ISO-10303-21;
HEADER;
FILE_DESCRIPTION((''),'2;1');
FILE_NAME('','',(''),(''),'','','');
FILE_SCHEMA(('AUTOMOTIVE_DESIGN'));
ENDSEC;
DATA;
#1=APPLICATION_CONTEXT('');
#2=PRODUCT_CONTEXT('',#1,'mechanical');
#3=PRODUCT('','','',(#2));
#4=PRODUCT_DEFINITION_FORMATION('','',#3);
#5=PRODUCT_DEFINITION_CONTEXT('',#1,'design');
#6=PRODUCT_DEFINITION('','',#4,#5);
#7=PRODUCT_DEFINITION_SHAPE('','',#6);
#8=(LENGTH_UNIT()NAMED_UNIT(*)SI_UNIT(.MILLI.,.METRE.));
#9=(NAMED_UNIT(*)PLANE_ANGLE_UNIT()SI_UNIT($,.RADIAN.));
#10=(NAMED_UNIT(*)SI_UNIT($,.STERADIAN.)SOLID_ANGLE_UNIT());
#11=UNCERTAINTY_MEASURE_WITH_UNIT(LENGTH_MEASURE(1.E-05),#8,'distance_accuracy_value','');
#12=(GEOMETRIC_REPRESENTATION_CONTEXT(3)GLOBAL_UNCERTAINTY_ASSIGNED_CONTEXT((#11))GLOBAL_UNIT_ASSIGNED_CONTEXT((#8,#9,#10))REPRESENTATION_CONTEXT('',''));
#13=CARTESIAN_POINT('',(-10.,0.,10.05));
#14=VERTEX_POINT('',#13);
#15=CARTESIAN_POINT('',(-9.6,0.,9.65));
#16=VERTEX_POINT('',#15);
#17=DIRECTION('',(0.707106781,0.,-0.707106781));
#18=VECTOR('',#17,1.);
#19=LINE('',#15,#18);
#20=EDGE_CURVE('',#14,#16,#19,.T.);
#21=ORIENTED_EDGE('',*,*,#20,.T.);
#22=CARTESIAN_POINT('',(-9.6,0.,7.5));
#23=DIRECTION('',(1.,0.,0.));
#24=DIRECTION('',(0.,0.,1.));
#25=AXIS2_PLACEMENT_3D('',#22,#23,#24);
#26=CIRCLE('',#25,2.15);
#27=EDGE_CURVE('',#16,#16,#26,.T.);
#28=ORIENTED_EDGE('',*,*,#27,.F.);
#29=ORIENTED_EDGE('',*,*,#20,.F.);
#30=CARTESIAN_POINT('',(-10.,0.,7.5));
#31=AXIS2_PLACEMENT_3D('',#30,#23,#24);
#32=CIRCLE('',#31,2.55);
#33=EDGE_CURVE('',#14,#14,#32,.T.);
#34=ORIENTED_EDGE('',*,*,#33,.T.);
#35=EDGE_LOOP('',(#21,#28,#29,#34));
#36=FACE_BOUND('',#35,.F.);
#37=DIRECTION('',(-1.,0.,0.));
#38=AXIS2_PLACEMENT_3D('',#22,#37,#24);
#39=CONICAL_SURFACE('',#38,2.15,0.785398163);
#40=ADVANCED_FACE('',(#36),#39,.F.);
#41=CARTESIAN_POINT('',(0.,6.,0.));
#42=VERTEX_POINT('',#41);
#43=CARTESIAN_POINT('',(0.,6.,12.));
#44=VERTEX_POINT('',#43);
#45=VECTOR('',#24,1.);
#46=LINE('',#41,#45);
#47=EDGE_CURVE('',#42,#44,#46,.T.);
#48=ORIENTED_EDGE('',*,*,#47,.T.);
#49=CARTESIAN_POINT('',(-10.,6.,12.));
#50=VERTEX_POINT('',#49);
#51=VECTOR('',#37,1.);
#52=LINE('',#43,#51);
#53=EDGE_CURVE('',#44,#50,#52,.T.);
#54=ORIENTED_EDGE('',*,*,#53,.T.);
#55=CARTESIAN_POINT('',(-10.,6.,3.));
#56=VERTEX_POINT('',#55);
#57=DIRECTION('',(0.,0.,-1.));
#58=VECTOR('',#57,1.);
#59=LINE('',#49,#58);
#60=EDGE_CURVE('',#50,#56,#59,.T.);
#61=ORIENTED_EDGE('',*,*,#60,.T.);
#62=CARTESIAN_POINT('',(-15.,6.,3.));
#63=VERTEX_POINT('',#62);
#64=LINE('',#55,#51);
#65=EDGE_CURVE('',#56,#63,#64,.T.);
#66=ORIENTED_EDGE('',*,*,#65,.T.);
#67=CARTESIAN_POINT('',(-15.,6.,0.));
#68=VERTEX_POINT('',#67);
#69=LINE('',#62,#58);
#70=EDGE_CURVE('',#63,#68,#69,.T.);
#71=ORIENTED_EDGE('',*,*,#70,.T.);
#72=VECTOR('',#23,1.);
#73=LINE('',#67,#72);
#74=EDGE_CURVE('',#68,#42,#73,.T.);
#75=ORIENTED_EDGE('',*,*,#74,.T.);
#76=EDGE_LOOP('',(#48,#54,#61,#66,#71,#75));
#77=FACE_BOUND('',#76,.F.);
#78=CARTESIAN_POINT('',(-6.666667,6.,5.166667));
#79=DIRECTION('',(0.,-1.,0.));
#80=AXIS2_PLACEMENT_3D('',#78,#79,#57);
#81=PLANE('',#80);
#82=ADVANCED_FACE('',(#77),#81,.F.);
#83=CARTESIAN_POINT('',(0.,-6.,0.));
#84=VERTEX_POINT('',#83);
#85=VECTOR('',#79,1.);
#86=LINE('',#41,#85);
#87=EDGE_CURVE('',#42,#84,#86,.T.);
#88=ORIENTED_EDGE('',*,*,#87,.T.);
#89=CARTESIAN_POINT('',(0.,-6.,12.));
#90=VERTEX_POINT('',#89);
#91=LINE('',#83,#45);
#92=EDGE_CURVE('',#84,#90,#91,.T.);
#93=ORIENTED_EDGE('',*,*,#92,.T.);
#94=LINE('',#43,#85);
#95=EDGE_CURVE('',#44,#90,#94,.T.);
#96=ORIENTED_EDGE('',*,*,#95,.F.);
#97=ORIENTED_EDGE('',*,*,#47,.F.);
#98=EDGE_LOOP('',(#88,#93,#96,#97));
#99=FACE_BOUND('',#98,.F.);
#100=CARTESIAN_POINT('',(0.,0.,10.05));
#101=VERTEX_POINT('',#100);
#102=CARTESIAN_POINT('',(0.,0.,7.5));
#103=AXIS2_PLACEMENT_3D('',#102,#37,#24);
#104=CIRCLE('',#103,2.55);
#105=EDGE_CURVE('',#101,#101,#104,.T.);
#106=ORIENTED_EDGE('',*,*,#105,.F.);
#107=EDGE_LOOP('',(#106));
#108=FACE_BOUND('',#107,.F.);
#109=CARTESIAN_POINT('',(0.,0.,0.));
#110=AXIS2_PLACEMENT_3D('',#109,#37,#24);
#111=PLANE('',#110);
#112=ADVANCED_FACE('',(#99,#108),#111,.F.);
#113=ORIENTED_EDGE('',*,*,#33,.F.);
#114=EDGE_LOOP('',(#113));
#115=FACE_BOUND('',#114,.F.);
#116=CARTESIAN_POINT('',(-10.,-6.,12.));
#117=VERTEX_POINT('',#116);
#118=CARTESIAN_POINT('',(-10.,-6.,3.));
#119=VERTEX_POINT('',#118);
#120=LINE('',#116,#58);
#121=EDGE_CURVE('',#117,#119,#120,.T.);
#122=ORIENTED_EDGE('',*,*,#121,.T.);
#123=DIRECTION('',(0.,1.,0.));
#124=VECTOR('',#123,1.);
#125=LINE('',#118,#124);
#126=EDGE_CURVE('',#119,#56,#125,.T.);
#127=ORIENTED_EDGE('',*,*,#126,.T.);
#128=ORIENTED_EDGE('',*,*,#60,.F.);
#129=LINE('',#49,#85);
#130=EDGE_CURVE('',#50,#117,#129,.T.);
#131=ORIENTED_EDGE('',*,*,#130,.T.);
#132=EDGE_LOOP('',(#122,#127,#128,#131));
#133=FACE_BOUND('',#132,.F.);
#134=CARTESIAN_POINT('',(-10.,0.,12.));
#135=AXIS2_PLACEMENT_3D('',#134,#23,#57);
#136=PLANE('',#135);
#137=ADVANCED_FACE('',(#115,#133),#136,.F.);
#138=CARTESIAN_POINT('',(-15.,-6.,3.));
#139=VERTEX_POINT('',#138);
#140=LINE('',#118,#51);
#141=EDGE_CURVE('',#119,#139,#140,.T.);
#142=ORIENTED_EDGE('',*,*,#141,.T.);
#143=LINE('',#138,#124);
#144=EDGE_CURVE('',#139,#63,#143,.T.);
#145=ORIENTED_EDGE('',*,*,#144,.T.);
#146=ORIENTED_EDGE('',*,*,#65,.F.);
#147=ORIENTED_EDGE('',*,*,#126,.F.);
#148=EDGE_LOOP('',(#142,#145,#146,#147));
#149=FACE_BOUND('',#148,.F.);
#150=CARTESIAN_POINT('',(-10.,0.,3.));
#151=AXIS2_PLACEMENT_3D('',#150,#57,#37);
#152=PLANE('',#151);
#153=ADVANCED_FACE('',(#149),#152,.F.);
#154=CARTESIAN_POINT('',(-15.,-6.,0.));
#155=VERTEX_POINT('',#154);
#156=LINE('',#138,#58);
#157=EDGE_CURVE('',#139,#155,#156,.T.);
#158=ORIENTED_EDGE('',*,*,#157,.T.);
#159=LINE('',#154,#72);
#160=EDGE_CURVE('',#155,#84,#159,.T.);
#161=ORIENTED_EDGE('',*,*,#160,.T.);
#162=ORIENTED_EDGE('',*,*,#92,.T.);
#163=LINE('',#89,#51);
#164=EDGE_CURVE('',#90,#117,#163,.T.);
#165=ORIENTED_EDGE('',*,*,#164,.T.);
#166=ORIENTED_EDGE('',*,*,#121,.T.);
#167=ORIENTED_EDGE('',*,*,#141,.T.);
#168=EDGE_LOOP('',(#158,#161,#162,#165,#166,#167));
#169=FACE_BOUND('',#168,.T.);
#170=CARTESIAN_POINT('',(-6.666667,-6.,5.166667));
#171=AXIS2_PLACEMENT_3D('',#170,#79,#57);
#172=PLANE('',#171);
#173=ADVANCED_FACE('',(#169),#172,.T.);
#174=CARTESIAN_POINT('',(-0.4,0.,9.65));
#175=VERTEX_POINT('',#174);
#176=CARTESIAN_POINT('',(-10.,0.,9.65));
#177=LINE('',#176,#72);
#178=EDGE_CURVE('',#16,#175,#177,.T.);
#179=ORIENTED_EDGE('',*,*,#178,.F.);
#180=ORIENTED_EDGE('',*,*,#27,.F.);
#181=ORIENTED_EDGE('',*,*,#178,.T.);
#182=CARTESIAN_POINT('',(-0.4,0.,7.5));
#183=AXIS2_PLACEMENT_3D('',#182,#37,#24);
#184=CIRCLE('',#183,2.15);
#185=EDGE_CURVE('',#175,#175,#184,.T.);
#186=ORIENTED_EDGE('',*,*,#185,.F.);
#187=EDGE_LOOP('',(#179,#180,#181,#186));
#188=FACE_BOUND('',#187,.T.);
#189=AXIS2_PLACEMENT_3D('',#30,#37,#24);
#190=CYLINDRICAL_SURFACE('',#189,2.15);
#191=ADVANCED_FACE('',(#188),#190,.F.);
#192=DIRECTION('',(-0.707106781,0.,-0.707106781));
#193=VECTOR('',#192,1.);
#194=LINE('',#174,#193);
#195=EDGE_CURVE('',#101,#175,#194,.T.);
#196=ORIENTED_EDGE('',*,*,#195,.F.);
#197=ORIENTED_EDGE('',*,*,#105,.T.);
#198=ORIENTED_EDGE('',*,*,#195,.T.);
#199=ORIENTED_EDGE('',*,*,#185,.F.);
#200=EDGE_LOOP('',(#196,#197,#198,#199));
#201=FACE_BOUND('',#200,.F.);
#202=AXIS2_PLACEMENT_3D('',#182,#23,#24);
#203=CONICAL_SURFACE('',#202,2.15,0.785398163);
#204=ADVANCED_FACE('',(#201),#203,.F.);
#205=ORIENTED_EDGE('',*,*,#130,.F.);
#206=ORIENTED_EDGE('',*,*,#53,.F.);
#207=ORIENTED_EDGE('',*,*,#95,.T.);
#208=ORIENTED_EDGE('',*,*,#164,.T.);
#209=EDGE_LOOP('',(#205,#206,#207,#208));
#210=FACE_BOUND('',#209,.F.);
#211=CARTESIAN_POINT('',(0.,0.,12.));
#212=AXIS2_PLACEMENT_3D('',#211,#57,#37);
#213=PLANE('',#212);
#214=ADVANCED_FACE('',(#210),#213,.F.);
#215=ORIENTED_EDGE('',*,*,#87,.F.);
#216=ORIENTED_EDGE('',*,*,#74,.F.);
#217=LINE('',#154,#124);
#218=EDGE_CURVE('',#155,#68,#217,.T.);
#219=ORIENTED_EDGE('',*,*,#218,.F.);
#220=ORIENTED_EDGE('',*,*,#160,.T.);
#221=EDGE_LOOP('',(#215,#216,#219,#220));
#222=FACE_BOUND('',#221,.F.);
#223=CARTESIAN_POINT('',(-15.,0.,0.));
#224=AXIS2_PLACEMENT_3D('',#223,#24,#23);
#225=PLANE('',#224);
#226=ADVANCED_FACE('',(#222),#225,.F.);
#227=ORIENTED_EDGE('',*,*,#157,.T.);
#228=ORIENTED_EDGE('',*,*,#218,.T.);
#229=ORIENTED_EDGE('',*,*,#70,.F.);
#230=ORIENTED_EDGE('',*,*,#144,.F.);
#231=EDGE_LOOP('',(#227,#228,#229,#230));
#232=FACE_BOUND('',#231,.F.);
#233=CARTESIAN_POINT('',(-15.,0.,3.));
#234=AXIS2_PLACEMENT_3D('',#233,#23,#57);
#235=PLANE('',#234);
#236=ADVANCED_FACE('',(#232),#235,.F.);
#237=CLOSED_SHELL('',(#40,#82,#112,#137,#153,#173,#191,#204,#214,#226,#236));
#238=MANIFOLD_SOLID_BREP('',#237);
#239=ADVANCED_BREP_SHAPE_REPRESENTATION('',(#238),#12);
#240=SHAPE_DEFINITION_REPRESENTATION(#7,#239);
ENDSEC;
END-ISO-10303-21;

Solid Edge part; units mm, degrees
sketch "Sketch1" plane through (0, 0, 0) normal (0, -1, 0) x (1, 0, 0)
  line L0 (-15, 0) -> (0, 0)
  line L1 (0, 0) -> (0, 12)
  line L2 (0, 12) -> (-10, 12)
  line L3 (-10, 12) -> (-10, 3)
  line L4 (-10, 3) -> (-15, 3)
  line L5 (-15, 3) -> (-15, 0)
  dimension "D1" = 3
  dimension "D2" = 12
  dimension "D3" = 15
  dimension "D4" = 10
extrude "Protrusion1" add sketch "Sketch1" along normal mid plane 12
hole "Hole_1" at (-10, 0, 7.5) direction (1, 0, 0) diameter 4.3 end up to next start chamfer 0.4 start chamfer angle 45 end chamfer 0.4 end chamfer angle 45
properties material "Polyethylene, low density"
